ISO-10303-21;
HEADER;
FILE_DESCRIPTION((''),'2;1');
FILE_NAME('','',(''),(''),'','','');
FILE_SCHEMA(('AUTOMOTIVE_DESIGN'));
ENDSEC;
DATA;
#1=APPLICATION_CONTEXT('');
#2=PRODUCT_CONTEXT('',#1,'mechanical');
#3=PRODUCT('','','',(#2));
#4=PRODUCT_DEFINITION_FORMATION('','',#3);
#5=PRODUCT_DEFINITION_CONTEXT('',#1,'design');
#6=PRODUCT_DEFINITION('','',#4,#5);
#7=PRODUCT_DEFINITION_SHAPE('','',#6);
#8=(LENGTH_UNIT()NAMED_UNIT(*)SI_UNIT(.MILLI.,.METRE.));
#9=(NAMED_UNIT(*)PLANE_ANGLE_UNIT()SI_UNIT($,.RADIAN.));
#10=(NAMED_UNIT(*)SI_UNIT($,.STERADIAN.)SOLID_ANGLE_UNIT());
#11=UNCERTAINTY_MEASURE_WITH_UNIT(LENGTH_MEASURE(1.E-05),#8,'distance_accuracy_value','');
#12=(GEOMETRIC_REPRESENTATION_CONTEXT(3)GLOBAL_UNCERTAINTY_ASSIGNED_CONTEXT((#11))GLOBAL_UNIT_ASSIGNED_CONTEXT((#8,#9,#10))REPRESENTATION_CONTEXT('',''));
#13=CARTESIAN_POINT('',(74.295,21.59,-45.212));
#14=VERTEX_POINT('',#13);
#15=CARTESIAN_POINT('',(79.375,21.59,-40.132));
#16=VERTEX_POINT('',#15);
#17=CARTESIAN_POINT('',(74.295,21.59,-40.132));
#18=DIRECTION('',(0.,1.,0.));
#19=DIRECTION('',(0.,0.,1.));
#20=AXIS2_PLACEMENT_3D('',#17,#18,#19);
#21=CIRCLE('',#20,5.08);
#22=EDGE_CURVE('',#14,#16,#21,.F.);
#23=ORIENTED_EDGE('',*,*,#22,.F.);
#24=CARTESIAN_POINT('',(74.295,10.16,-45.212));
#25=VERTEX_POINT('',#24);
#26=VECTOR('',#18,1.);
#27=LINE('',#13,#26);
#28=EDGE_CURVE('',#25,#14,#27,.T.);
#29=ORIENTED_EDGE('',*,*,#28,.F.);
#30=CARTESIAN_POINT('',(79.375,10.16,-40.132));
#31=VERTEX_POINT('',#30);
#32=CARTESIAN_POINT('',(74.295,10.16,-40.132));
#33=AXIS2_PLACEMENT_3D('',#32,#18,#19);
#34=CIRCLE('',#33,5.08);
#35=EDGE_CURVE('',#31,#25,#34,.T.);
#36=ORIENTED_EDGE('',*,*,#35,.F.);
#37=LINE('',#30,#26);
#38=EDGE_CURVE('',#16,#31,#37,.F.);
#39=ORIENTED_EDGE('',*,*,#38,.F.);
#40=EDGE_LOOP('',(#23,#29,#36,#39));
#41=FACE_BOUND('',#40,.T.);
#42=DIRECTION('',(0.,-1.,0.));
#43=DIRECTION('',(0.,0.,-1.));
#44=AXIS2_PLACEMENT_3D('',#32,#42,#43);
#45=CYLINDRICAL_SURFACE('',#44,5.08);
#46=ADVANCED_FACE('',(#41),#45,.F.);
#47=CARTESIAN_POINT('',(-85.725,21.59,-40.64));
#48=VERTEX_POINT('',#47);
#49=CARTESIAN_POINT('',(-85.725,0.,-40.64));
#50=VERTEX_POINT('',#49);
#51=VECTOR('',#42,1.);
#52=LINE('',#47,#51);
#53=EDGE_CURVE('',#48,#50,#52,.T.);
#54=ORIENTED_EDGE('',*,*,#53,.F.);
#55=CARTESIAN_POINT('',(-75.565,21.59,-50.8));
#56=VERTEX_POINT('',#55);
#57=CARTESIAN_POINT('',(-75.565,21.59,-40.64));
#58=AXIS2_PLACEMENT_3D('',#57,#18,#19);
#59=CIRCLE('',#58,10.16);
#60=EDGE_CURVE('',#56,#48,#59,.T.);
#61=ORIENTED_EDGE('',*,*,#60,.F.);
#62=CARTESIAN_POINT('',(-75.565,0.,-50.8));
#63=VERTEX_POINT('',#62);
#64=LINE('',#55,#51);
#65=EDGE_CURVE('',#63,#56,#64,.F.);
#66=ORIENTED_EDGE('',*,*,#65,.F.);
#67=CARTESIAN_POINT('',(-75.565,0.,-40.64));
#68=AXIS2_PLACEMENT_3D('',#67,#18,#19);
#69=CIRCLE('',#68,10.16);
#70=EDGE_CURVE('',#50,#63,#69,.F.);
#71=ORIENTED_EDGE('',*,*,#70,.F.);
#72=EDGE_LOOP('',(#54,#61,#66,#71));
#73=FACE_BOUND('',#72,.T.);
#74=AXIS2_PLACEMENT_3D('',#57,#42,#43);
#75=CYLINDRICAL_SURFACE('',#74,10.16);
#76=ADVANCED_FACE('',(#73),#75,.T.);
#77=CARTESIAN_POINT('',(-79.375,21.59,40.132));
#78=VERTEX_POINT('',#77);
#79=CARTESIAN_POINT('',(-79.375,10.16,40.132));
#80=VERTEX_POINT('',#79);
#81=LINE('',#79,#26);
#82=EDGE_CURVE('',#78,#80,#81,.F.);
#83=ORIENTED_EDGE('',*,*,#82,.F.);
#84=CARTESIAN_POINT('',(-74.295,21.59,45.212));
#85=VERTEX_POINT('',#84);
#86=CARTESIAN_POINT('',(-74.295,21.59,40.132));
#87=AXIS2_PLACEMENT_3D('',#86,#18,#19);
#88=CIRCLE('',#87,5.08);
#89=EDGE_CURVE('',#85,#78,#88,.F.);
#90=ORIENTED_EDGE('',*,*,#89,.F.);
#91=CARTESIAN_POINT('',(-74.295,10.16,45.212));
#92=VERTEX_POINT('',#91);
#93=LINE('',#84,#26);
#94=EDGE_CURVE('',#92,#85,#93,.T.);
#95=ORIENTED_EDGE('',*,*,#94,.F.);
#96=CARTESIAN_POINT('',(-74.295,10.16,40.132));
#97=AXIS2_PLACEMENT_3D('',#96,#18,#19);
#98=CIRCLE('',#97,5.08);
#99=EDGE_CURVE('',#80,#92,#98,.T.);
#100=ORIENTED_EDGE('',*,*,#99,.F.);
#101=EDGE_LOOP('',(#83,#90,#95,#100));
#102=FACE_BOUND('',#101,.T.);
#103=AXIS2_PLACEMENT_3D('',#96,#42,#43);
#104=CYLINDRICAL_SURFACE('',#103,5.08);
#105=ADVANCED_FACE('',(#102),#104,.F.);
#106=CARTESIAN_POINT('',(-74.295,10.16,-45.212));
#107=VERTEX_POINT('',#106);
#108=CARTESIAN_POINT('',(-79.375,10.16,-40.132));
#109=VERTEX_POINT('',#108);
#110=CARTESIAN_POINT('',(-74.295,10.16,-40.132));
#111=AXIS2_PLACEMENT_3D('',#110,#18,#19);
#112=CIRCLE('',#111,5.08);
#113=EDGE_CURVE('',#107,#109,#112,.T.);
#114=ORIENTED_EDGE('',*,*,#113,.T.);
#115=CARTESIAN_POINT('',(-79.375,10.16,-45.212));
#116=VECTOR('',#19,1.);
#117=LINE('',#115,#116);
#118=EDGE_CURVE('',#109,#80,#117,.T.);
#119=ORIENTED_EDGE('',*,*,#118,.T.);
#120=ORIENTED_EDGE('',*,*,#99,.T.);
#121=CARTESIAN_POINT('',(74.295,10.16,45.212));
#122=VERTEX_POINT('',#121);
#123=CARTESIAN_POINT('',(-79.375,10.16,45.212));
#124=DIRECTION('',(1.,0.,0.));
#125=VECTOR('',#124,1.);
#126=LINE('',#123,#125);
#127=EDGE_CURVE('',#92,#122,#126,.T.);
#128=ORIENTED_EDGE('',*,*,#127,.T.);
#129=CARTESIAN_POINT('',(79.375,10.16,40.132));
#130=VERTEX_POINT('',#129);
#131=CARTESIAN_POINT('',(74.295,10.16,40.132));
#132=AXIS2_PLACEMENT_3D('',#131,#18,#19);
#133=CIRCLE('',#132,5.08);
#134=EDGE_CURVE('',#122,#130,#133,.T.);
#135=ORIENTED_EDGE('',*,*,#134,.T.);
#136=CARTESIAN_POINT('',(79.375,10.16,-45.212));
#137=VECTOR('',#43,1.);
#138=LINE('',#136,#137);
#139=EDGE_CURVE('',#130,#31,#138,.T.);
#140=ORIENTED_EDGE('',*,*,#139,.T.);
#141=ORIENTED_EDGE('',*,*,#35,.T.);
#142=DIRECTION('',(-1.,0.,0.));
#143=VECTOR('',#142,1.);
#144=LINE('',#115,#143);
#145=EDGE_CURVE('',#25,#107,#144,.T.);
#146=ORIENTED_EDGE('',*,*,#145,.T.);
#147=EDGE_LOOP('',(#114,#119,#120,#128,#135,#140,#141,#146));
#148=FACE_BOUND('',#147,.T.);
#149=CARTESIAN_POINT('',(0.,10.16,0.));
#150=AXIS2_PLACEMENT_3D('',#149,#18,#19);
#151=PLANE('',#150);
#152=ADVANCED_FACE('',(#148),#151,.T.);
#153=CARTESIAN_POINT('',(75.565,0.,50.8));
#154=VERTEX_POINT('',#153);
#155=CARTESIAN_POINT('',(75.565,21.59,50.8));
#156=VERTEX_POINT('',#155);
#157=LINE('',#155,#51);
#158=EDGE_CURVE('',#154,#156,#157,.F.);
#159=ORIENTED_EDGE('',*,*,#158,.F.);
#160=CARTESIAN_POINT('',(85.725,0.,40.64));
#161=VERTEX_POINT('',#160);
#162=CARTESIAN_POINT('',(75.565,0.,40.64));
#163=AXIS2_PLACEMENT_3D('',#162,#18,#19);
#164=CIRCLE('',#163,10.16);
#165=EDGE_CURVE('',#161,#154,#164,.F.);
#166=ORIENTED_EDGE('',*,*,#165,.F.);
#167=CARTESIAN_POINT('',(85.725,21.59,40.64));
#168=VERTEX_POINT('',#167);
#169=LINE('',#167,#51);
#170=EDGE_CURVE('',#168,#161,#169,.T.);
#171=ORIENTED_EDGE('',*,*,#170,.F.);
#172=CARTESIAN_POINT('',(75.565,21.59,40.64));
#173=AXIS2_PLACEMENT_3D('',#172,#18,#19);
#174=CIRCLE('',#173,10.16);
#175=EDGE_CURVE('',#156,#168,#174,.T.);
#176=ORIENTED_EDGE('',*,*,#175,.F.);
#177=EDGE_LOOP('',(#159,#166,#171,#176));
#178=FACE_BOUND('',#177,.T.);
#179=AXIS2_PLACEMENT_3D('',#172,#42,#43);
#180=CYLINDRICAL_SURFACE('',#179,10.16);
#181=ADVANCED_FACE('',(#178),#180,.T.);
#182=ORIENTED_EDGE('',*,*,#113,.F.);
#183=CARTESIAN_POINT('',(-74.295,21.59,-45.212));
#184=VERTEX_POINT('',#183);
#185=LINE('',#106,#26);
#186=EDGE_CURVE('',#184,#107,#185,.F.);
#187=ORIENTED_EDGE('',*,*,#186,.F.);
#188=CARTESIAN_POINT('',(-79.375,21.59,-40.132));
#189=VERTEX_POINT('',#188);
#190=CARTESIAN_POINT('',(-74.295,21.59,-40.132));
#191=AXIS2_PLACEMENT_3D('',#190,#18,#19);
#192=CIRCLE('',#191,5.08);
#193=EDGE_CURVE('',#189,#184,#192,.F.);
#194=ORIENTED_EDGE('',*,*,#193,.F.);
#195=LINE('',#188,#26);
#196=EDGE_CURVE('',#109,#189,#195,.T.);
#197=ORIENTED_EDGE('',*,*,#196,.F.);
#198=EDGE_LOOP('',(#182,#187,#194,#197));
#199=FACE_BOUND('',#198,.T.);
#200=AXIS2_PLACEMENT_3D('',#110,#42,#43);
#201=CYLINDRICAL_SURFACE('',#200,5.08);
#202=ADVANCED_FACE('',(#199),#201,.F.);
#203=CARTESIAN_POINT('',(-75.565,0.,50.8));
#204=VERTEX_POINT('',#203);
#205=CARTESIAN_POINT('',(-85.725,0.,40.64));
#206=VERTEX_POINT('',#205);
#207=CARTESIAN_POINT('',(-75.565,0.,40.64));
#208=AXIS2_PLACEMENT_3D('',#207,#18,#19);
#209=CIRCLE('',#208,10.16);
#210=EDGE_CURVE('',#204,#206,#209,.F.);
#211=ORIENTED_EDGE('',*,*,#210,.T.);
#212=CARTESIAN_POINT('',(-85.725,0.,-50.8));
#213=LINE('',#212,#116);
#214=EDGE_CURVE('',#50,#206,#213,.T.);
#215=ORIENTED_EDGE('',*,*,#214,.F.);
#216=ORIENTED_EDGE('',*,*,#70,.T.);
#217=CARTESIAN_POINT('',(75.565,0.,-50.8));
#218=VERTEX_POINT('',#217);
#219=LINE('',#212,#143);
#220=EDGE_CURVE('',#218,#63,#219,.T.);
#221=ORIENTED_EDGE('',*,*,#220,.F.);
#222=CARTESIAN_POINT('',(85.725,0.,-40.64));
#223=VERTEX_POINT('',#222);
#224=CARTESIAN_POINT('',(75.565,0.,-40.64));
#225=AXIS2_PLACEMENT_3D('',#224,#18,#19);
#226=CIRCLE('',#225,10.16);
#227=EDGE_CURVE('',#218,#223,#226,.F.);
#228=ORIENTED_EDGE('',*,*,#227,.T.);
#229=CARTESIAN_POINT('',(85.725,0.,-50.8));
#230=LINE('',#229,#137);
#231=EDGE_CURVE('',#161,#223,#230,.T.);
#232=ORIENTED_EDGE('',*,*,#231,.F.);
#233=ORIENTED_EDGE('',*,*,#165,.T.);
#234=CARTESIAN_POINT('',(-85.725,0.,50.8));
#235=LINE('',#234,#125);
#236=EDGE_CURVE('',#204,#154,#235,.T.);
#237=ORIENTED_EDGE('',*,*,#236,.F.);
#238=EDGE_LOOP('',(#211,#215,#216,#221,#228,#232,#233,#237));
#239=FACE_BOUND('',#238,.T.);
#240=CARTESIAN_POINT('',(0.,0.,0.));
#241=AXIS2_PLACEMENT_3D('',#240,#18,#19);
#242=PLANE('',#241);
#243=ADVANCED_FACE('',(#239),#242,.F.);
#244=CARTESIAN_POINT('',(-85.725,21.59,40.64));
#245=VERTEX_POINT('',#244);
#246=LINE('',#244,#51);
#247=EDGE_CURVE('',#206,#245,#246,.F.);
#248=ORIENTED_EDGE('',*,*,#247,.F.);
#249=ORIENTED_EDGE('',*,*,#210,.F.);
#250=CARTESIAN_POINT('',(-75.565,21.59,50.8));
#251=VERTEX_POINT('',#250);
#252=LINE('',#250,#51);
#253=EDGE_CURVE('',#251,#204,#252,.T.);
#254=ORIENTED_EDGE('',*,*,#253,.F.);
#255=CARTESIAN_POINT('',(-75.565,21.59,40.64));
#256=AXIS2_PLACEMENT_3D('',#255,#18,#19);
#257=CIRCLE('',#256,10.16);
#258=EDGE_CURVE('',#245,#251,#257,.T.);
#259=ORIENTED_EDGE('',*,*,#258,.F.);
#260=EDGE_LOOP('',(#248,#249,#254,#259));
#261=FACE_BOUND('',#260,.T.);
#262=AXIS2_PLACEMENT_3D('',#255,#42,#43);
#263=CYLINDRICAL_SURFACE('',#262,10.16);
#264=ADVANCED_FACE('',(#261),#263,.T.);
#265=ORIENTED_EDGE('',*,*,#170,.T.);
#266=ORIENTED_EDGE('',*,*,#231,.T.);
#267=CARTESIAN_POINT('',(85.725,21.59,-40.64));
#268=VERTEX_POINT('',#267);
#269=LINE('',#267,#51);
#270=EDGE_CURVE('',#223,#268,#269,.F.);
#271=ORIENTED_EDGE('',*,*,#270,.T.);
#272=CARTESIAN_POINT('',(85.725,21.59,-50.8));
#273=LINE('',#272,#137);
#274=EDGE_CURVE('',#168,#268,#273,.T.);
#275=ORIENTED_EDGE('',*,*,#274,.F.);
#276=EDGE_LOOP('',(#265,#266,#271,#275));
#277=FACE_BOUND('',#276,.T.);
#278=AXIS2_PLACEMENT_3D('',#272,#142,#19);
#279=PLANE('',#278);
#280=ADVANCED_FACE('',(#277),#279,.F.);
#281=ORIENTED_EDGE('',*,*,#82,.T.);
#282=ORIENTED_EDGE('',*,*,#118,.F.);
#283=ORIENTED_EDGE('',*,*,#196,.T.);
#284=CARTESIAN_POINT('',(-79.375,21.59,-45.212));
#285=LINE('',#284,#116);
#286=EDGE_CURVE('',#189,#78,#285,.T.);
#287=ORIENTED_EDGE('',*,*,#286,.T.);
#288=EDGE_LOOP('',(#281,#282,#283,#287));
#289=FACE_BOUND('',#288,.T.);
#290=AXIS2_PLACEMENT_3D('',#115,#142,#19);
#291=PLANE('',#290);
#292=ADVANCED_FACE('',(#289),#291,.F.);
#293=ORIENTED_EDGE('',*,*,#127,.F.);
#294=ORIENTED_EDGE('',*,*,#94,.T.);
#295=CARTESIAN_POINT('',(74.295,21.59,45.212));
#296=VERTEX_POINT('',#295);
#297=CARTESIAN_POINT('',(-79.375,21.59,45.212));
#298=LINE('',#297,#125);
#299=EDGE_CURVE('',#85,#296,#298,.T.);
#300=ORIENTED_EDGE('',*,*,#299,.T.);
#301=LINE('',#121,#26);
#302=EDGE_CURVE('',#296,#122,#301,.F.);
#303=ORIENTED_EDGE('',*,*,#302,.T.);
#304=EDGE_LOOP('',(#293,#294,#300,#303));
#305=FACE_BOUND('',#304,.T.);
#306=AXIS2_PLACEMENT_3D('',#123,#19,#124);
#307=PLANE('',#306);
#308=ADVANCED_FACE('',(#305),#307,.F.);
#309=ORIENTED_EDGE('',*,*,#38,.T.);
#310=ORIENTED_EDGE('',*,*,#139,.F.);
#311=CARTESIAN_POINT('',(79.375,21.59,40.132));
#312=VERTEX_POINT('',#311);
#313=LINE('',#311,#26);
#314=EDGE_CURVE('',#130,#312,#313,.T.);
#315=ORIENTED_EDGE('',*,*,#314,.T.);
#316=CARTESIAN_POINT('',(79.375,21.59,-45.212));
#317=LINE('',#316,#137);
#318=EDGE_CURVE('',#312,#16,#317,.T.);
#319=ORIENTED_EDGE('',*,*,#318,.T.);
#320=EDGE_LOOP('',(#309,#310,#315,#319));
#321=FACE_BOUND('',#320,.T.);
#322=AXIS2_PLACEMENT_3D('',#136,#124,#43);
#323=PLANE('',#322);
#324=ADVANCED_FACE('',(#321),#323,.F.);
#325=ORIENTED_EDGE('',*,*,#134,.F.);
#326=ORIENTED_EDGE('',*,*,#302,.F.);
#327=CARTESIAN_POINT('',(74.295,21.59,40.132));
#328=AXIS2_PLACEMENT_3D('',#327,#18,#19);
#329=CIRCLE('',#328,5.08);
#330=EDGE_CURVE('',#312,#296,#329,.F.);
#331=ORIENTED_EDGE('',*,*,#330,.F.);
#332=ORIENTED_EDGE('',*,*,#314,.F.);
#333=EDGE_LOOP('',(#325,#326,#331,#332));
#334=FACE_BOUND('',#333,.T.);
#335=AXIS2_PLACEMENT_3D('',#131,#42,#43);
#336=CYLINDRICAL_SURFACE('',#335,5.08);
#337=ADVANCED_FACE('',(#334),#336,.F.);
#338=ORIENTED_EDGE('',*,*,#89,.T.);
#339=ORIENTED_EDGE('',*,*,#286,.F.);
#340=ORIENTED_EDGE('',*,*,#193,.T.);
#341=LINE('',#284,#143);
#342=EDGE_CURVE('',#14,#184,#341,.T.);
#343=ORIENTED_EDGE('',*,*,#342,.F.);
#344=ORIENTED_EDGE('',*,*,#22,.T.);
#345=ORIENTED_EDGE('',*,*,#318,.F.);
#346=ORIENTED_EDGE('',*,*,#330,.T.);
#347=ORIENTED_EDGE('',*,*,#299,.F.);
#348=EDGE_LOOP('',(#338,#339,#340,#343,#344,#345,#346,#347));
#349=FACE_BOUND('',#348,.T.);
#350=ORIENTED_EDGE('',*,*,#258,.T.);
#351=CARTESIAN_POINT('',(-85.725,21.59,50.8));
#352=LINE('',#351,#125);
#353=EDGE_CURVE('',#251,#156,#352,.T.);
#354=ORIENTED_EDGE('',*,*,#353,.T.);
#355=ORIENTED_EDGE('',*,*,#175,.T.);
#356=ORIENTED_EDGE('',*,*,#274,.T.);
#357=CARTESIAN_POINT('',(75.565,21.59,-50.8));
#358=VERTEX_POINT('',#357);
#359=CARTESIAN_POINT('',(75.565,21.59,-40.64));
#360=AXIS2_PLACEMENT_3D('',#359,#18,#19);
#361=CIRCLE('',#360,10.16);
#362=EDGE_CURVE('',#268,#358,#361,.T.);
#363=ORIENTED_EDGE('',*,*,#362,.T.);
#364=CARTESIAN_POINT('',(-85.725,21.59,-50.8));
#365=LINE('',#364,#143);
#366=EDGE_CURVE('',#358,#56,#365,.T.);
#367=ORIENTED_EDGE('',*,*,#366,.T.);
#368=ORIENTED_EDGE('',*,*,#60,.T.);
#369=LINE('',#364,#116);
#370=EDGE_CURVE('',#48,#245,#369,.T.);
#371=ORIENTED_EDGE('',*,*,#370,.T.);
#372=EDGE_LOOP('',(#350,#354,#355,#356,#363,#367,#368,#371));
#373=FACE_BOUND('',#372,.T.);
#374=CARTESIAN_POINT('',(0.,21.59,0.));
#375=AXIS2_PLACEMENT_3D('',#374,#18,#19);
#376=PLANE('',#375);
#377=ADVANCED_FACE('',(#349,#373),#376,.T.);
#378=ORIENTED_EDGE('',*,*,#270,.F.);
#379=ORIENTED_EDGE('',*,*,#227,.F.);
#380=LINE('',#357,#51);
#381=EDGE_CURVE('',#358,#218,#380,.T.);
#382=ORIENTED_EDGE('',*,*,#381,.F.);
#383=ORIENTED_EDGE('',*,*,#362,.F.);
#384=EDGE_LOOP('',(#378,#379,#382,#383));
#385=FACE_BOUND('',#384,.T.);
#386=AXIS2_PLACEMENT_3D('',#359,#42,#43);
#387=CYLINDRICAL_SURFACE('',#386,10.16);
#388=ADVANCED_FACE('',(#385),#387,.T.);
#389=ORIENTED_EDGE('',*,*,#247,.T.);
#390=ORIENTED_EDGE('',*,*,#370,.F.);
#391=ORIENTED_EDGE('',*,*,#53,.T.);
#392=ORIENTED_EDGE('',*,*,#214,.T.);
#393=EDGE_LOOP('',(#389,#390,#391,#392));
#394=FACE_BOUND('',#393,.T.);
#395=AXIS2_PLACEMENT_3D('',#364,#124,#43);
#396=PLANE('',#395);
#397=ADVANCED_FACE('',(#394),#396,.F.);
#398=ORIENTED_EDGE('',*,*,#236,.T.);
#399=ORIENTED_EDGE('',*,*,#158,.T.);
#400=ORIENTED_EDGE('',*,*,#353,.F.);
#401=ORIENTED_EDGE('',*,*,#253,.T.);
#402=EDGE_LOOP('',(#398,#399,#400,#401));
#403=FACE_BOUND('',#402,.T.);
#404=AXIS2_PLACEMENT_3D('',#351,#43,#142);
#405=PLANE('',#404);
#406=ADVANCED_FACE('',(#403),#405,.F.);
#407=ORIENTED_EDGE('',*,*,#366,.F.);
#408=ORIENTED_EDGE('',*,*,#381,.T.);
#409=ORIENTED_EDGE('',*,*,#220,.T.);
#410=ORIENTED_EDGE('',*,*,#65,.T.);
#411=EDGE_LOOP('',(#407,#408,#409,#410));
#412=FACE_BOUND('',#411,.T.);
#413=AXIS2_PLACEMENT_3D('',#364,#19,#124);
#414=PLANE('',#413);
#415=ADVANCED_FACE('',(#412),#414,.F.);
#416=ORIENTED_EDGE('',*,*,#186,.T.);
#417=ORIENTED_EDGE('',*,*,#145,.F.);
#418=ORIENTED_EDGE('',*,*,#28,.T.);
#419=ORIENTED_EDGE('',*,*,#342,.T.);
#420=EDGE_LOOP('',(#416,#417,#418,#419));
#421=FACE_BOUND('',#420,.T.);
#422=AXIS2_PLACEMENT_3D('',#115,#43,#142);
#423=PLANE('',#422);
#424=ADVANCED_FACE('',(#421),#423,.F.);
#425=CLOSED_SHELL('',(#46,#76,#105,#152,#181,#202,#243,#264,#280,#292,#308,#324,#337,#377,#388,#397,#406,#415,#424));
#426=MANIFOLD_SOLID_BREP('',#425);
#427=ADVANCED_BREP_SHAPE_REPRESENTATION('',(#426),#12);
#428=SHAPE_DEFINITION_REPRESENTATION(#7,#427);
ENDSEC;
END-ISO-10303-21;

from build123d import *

# Parameters (mm, degrees)
SKETCH1_W           = 171.45
SKETCH1_H           = 101.6
BOSS_EXTRUDE1_DEPTH = 21.59
SKETCH2_W           = 158.75
SKETCH2_H           = 90.424
CUT_EXTRUDE1_DEPTH  = 11.43
FILLET1_R           = 5.08
FILLET2_R           = 10.16


with BuildPart() as part:
    # Sketch1 → Boss-Extrude1 (new body)
    with BuildSketch(Plane(origin=(0, 0, 0), x_dir=(1, 0, 0), z_dir=(0, 1, 0))):
        Rectangle(SKETCH1_W, SKETCH1_H)
    extrude(amount=BOSS_EXTRUDE1_DEPTH)

    # Sketch2 → Cut-Extrude1 (cut)
    with BuildSketch(Plane(origin=(0, 21.59, 0), x_dir=(1, 0, 0), z_dir=(0, 1, 0))):
        Rectangle(SKETCH2_W, SKETCH2_H)
    extrude(amount=-CUT_EXTRUDE1_DEPTH, mode=Mode.SUBTRACT)

    # Fillet1
    fillet1_edges = [part.edges().sort_by_distance(p)[0] for p in [
        (-79.375, 15.875, 45.212),
        (-79.375, 15.875, -45.212),
        (79.375, 15.875, -45.212),
        (79.375, 15.875, 45.212),
    ]]
    fillet(fillet1_edges, radius=FILLET1_R)

    # Fillet2
    fillet2_edges = [part.edges().sort_by_distance(p)[0] for p in [
        (-85.725, 10.795, -50.8),
        (85.725, 10.795, -50.8),
        (85.725, 10.795, 50.8),
        (-85.725, 10.795, 50.8),
    ]]
    fillet(fillet2_edges, radius=FILLET2_R)


solid = part.part
